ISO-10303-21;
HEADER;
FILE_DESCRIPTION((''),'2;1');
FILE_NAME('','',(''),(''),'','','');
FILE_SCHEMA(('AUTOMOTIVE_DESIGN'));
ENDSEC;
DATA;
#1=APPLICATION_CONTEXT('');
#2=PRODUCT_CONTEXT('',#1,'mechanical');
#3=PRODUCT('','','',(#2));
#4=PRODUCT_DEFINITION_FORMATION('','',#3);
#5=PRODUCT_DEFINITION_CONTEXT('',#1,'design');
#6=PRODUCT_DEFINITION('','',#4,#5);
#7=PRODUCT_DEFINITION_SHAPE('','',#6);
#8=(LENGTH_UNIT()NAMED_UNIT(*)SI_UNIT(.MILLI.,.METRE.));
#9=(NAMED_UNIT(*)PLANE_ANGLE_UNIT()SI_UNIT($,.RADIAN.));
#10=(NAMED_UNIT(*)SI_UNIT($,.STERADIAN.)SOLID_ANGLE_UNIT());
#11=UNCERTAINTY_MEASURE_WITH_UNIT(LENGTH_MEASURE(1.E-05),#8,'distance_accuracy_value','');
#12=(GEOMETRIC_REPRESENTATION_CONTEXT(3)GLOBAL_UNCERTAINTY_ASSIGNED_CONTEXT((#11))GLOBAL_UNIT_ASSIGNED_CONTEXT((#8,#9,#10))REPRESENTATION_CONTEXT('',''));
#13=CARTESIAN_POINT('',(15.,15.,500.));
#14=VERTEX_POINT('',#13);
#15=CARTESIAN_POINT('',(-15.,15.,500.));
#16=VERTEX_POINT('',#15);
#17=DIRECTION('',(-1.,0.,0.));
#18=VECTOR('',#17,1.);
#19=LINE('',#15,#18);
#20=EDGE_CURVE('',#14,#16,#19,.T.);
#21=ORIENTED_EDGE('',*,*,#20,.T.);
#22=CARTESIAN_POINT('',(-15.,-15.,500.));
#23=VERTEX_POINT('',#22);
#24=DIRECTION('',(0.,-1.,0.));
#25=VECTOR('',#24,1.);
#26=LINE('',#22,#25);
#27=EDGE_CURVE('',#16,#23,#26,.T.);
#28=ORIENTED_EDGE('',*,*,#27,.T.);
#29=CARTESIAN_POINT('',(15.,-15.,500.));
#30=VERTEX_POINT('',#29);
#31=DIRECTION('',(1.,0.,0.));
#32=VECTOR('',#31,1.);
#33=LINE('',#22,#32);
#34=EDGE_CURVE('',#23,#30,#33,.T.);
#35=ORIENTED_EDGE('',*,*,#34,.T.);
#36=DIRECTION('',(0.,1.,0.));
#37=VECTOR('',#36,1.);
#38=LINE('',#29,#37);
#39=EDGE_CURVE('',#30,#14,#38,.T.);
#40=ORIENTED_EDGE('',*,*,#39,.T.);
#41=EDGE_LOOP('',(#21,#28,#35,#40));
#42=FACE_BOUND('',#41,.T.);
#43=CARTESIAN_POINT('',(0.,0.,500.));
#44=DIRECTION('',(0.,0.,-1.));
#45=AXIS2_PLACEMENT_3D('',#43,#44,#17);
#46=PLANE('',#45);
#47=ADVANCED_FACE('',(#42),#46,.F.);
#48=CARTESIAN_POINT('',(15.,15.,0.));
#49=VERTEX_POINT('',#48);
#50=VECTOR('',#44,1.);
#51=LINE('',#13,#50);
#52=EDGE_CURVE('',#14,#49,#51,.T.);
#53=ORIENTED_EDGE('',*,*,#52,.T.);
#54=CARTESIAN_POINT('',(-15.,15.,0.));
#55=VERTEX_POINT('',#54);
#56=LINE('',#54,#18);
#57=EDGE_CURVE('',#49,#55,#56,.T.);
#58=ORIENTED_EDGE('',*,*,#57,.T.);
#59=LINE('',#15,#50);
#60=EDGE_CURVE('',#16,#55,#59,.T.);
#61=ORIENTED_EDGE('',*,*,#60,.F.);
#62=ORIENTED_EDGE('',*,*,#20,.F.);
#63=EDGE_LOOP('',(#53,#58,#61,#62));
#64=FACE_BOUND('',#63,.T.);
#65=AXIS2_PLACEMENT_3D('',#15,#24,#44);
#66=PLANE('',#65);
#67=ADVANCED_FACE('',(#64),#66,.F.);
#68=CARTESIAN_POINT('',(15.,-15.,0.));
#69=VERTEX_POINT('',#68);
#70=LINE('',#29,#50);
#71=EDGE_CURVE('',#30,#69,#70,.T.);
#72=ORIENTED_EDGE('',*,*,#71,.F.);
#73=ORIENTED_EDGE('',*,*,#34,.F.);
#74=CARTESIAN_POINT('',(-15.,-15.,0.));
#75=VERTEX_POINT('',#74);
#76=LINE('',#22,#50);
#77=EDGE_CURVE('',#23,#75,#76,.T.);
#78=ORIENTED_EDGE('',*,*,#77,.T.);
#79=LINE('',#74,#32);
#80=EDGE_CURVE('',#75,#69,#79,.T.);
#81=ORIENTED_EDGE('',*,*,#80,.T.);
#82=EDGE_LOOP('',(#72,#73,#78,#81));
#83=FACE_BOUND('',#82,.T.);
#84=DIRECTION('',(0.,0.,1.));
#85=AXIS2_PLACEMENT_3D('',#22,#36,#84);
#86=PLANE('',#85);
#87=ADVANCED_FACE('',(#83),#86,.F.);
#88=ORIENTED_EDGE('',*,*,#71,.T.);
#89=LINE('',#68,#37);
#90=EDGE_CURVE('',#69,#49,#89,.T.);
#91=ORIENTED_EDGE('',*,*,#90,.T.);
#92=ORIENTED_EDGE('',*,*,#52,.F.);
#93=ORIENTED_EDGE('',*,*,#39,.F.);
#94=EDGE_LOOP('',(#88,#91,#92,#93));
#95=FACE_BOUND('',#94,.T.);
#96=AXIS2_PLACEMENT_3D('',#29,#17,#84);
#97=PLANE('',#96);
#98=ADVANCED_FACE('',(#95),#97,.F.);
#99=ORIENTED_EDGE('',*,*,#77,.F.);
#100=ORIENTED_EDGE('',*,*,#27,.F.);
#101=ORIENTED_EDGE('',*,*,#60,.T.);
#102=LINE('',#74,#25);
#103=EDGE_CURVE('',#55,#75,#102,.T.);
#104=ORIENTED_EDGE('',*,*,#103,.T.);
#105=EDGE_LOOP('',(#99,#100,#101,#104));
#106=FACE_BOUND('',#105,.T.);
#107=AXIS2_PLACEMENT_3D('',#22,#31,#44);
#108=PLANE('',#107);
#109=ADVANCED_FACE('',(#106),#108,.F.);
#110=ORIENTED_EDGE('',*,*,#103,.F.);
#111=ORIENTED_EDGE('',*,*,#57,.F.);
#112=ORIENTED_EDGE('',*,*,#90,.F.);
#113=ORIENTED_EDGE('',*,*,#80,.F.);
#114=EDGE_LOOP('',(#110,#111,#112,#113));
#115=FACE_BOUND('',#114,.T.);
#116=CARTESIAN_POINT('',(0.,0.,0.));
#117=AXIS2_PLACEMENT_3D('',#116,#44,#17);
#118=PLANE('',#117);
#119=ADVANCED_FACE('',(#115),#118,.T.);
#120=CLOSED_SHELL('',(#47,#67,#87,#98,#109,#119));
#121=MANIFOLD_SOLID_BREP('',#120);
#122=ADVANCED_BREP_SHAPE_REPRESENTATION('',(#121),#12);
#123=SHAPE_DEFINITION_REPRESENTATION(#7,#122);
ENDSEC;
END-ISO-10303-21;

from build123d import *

# Parameters (mm, degrees)
SKETCH1_W           = 30
SKETCH1_H           = 30
BOSS_EXTRUDE1_DEPTH = 500


with BuildPart() as part:
    # Sketch1 → Boss-Extrude1 (new body)
    with BuildSketch(Plane.XY):
        Rectangle(SKETCH1_W, SKETCH1_H)
    extrude(amount=BOSS_EXTRUDE1_DEPTH)


solid = part.part
